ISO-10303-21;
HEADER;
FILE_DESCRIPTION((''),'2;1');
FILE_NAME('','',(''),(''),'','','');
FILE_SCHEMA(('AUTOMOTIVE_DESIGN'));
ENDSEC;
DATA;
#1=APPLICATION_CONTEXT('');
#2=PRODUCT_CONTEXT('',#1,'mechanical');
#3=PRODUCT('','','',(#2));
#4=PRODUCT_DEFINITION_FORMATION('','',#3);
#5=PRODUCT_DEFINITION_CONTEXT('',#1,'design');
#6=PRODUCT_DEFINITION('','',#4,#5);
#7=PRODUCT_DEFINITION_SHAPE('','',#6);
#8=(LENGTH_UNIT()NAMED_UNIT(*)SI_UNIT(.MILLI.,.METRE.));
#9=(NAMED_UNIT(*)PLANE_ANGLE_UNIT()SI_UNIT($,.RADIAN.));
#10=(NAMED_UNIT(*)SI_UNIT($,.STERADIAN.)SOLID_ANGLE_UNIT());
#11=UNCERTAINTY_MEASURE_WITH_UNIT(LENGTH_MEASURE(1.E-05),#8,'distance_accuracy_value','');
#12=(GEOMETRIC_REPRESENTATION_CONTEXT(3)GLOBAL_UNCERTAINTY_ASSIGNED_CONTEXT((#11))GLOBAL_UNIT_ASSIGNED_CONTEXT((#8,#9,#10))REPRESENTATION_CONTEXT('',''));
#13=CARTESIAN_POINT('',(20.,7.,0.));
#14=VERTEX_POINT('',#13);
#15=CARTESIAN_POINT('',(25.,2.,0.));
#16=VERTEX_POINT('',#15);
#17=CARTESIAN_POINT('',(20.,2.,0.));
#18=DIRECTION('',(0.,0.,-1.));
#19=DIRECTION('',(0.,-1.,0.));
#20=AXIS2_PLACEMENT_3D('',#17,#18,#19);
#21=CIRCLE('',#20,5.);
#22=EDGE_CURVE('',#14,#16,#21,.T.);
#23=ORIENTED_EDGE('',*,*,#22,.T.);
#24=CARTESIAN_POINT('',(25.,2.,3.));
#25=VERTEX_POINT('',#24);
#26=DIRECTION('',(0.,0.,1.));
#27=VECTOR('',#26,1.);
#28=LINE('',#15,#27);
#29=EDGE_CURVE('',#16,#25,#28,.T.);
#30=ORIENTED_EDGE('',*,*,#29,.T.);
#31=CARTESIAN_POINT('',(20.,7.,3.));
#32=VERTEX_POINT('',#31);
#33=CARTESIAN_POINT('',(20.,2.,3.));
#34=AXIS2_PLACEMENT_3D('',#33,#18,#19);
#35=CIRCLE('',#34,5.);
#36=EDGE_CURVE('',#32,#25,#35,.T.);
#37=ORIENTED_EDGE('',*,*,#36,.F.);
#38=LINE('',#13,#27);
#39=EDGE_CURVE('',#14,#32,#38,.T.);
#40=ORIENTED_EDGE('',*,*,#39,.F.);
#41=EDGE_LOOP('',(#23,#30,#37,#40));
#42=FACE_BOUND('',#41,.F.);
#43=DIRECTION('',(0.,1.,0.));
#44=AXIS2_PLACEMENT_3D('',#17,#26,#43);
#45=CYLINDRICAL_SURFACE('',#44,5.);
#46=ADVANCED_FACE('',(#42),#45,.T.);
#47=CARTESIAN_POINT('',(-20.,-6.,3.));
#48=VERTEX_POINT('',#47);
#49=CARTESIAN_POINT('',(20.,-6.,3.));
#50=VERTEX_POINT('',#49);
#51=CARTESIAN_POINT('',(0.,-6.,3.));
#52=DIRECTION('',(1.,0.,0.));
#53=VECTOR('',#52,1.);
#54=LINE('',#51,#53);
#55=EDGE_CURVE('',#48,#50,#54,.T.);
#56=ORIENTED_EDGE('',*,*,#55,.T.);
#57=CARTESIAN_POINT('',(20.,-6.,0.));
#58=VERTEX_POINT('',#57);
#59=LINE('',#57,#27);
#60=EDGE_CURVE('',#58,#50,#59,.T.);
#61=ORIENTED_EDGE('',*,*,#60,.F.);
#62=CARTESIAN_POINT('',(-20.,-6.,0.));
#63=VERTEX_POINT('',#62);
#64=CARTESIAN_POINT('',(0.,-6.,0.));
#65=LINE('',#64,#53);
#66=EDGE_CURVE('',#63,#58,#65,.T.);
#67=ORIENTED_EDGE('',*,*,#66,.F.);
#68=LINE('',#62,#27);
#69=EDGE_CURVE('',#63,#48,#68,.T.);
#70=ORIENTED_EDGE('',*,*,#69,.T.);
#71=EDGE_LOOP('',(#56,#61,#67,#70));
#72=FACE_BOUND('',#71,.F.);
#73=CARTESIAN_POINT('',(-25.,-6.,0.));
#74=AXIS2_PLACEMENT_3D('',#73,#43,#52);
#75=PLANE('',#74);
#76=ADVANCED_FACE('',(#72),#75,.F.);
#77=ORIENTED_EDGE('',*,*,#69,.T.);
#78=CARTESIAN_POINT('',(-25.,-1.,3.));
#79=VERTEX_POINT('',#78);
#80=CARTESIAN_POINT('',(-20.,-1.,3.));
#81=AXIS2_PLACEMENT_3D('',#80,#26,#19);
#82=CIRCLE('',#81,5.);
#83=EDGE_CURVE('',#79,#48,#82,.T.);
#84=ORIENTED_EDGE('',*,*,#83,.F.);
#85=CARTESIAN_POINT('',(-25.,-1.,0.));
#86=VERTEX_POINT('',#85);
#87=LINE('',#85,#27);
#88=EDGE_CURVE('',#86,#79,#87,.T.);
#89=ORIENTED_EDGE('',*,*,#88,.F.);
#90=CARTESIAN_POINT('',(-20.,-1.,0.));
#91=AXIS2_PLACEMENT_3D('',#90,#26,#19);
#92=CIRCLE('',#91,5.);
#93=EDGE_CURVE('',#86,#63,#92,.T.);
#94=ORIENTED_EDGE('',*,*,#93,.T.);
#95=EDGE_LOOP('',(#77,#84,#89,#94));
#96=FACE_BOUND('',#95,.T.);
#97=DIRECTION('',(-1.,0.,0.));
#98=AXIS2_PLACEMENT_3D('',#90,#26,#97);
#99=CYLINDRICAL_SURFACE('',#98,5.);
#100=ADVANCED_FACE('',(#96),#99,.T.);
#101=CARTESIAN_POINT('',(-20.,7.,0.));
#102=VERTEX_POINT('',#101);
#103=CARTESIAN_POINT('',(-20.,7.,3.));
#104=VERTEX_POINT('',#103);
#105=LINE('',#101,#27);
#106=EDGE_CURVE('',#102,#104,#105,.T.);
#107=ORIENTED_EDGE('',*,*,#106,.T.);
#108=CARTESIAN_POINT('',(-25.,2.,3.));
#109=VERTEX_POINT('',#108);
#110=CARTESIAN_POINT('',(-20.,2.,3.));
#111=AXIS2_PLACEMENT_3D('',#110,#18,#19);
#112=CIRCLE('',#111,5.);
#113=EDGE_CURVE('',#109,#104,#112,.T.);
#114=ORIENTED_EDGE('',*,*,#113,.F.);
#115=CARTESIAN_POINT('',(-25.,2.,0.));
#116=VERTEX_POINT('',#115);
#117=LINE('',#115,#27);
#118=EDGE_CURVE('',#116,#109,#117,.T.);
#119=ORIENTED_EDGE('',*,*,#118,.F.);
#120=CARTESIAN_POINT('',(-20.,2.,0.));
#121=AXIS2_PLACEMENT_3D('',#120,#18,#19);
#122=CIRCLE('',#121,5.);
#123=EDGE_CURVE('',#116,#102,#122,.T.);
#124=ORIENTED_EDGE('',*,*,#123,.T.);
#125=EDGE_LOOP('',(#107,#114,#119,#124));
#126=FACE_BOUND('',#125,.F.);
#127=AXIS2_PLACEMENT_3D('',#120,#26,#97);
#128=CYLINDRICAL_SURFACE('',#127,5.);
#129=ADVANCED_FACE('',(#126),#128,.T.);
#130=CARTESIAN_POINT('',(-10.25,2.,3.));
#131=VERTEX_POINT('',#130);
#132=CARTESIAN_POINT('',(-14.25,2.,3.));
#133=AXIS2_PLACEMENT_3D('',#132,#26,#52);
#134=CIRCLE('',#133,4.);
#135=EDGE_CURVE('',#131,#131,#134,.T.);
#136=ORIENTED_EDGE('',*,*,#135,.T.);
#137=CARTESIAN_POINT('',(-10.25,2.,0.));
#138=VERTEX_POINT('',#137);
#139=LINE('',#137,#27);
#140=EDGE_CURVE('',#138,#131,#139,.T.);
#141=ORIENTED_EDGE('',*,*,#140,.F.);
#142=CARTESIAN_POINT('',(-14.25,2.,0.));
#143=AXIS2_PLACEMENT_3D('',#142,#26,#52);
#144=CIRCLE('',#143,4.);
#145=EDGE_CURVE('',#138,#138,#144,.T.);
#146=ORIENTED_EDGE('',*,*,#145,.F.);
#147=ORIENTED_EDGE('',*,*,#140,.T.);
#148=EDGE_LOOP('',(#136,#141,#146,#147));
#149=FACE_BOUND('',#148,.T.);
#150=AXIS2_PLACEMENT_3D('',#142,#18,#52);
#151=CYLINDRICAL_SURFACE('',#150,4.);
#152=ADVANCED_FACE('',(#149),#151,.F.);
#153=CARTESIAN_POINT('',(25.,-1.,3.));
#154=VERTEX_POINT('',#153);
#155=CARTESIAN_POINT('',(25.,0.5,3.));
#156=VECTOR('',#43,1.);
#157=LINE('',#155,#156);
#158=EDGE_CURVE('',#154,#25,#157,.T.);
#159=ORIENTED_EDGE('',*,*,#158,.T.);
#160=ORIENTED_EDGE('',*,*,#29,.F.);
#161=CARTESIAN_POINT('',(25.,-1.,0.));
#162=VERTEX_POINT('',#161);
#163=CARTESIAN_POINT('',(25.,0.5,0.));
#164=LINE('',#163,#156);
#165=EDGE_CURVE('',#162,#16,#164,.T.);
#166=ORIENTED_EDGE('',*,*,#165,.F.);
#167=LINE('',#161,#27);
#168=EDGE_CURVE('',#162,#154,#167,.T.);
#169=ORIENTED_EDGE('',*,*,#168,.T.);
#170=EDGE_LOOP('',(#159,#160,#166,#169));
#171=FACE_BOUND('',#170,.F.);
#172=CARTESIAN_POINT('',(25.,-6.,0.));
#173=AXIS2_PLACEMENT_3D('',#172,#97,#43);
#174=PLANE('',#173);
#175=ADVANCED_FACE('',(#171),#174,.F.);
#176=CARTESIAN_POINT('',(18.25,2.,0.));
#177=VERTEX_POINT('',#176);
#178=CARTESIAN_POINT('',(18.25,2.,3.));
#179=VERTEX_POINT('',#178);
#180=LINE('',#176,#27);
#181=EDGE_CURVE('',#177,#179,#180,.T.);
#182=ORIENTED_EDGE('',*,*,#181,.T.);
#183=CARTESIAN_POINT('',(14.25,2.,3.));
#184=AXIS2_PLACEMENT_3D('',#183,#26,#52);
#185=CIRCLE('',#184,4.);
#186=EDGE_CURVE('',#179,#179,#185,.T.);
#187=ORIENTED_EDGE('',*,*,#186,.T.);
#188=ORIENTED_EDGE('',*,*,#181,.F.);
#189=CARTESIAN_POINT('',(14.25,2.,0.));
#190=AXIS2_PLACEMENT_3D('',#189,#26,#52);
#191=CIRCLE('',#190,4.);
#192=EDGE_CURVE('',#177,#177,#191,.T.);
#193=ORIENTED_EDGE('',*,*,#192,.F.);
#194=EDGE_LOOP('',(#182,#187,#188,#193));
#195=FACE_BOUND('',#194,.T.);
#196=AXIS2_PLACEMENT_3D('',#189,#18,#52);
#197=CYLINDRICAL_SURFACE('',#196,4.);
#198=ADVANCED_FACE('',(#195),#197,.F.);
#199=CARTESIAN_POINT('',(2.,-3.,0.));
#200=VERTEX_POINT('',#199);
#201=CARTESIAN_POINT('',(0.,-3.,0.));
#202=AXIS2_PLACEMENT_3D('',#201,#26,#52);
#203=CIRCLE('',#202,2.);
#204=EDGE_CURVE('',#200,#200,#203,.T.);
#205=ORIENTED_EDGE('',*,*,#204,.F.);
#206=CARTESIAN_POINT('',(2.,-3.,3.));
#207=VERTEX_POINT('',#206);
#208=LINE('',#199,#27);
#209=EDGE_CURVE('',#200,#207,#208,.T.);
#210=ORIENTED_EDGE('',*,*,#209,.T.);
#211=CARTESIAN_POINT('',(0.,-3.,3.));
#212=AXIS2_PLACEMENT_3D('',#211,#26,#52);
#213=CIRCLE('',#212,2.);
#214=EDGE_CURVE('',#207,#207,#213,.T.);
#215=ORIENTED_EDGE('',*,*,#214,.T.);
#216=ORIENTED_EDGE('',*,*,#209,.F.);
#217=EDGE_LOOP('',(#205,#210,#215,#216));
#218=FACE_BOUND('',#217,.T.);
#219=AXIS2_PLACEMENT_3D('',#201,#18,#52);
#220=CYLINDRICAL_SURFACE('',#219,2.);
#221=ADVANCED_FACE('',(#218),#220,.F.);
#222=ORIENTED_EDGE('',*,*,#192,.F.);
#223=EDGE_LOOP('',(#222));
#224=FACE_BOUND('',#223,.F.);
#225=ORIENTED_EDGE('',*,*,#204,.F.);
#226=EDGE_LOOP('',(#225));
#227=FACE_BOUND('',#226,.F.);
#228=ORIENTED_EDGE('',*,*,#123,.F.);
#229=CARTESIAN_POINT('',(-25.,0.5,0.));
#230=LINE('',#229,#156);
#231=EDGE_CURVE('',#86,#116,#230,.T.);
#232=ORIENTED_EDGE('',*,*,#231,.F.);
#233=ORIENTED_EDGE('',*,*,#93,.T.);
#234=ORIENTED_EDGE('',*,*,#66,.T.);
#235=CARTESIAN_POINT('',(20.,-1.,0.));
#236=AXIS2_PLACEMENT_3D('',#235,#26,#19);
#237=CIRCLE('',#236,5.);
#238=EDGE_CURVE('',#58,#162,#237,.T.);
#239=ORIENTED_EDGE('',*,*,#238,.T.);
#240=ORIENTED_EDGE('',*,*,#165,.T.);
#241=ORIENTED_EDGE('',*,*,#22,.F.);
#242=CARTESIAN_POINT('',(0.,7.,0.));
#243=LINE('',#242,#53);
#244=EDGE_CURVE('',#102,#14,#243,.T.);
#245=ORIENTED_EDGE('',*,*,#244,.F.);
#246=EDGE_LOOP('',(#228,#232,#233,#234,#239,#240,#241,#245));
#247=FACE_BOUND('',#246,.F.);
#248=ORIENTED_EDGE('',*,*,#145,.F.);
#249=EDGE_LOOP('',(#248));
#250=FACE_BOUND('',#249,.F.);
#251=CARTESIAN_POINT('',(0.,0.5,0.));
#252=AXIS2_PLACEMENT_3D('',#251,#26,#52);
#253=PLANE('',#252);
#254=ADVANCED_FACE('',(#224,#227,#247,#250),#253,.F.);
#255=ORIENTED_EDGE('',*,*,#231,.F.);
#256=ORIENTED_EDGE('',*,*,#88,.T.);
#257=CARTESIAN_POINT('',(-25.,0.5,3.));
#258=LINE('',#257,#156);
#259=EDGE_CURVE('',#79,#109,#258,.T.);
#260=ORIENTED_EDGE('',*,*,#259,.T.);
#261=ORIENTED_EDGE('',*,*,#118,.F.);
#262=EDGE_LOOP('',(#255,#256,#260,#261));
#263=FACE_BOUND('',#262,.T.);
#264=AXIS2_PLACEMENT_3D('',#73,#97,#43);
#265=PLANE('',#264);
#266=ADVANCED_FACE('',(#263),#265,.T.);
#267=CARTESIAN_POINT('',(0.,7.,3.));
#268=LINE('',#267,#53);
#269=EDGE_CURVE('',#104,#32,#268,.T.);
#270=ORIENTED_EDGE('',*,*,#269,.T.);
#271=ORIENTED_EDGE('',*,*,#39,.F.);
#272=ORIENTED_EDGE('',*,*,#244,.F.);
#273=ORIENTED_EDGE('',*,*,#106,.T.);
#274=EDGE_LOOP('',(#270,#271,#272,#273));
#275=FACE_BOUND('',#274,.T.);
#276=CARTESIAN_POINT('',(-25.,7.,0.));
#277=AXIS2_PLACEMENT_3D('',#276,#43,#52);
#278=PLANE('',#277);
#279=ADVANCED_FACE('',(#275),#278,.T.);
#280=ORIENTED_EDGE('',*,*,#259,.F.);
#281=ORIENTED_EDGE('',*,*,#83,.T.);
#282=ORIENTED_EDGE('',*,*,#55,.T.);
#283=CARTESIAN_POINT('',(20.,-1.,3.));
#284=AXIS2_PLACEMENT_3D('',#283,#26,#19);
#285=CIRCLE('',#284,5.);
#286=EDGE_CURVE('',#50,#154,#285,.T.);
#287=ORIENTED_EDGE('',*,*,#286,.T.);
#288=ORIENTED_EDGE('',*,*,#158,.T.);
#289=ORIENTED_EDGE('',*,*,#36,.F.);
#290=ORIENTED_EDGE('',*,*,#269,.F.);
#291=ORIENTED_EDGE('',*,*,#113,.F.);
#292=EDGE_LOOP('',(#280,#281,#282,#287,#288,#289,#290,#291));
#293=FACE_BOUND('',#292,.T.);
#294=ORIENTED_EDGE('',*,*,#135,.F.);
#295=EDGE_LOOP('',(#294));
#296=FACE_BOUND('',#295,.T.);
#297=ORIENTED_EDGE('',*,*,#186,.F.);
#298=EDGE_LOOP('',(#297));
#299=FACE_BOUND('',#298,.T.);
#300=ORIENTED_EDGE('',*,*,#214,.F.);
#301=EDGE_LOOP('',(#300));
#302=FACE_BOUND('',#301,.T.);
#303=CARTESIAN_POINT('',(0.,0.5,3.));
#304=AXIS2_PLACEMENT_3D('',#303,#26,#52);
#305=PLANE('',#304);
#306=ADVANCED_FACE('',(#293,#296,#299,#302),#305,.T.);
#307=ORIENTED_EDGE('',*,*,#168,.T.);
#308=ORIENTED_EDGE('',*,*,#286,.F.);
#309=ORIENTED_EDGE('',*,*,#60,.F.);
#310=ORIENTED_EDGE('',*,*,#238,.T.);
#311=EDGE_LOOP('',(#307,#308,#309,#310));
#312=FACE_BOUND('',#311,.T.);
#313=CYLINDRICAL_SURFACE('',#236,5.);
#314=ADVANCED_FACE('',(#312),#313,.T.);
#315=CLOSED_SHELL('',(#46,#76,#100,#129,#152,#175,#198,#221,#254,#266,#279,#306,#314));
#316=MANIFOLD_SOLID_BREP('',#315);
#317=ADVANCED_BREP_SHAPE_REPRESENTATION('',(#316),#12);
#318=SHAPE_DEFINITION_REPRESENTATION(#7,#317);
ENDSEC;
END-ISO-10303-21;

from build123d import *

# Parameters (mm, degrees)
F0_W     = 50
F0_H     = 13
F0_R     = 2
F0_R_2   = 4
F1_DEPTH = 3
F2_R     = 5


with BuildPart() as f1:
    # F0 (on Top) → F1 (new body)
    with BuildSketch(Plane.XY):
        with Locations((0, 0.5)):
            Rectangle(F0_W, F0_H)
        with Locations((0, -3)):
            Circle(F0_R, mode=Mode.SUBTRACT)
        with Locations((-14.25, 2)):
            Circle(F0_R_2, mode=Mode.SUBTRACT)
        with Locations((14.25, 2)):
            Circle(F0_R_2, mode=Mode.SUBTRACT)
    extrude(amount=F1_DEPTH)

    # F2
    f2_edges = [f1.edges().sort_by_distance(p)[0] for p in [
        (-25, 7, 1.5),
        (-25, -6, 1.5),
        (25, -6, 1.5),
        (25, 7, 1.5),
    ]]
    fillet(f2_edges, radius=F2_R)


solid = f1.part
